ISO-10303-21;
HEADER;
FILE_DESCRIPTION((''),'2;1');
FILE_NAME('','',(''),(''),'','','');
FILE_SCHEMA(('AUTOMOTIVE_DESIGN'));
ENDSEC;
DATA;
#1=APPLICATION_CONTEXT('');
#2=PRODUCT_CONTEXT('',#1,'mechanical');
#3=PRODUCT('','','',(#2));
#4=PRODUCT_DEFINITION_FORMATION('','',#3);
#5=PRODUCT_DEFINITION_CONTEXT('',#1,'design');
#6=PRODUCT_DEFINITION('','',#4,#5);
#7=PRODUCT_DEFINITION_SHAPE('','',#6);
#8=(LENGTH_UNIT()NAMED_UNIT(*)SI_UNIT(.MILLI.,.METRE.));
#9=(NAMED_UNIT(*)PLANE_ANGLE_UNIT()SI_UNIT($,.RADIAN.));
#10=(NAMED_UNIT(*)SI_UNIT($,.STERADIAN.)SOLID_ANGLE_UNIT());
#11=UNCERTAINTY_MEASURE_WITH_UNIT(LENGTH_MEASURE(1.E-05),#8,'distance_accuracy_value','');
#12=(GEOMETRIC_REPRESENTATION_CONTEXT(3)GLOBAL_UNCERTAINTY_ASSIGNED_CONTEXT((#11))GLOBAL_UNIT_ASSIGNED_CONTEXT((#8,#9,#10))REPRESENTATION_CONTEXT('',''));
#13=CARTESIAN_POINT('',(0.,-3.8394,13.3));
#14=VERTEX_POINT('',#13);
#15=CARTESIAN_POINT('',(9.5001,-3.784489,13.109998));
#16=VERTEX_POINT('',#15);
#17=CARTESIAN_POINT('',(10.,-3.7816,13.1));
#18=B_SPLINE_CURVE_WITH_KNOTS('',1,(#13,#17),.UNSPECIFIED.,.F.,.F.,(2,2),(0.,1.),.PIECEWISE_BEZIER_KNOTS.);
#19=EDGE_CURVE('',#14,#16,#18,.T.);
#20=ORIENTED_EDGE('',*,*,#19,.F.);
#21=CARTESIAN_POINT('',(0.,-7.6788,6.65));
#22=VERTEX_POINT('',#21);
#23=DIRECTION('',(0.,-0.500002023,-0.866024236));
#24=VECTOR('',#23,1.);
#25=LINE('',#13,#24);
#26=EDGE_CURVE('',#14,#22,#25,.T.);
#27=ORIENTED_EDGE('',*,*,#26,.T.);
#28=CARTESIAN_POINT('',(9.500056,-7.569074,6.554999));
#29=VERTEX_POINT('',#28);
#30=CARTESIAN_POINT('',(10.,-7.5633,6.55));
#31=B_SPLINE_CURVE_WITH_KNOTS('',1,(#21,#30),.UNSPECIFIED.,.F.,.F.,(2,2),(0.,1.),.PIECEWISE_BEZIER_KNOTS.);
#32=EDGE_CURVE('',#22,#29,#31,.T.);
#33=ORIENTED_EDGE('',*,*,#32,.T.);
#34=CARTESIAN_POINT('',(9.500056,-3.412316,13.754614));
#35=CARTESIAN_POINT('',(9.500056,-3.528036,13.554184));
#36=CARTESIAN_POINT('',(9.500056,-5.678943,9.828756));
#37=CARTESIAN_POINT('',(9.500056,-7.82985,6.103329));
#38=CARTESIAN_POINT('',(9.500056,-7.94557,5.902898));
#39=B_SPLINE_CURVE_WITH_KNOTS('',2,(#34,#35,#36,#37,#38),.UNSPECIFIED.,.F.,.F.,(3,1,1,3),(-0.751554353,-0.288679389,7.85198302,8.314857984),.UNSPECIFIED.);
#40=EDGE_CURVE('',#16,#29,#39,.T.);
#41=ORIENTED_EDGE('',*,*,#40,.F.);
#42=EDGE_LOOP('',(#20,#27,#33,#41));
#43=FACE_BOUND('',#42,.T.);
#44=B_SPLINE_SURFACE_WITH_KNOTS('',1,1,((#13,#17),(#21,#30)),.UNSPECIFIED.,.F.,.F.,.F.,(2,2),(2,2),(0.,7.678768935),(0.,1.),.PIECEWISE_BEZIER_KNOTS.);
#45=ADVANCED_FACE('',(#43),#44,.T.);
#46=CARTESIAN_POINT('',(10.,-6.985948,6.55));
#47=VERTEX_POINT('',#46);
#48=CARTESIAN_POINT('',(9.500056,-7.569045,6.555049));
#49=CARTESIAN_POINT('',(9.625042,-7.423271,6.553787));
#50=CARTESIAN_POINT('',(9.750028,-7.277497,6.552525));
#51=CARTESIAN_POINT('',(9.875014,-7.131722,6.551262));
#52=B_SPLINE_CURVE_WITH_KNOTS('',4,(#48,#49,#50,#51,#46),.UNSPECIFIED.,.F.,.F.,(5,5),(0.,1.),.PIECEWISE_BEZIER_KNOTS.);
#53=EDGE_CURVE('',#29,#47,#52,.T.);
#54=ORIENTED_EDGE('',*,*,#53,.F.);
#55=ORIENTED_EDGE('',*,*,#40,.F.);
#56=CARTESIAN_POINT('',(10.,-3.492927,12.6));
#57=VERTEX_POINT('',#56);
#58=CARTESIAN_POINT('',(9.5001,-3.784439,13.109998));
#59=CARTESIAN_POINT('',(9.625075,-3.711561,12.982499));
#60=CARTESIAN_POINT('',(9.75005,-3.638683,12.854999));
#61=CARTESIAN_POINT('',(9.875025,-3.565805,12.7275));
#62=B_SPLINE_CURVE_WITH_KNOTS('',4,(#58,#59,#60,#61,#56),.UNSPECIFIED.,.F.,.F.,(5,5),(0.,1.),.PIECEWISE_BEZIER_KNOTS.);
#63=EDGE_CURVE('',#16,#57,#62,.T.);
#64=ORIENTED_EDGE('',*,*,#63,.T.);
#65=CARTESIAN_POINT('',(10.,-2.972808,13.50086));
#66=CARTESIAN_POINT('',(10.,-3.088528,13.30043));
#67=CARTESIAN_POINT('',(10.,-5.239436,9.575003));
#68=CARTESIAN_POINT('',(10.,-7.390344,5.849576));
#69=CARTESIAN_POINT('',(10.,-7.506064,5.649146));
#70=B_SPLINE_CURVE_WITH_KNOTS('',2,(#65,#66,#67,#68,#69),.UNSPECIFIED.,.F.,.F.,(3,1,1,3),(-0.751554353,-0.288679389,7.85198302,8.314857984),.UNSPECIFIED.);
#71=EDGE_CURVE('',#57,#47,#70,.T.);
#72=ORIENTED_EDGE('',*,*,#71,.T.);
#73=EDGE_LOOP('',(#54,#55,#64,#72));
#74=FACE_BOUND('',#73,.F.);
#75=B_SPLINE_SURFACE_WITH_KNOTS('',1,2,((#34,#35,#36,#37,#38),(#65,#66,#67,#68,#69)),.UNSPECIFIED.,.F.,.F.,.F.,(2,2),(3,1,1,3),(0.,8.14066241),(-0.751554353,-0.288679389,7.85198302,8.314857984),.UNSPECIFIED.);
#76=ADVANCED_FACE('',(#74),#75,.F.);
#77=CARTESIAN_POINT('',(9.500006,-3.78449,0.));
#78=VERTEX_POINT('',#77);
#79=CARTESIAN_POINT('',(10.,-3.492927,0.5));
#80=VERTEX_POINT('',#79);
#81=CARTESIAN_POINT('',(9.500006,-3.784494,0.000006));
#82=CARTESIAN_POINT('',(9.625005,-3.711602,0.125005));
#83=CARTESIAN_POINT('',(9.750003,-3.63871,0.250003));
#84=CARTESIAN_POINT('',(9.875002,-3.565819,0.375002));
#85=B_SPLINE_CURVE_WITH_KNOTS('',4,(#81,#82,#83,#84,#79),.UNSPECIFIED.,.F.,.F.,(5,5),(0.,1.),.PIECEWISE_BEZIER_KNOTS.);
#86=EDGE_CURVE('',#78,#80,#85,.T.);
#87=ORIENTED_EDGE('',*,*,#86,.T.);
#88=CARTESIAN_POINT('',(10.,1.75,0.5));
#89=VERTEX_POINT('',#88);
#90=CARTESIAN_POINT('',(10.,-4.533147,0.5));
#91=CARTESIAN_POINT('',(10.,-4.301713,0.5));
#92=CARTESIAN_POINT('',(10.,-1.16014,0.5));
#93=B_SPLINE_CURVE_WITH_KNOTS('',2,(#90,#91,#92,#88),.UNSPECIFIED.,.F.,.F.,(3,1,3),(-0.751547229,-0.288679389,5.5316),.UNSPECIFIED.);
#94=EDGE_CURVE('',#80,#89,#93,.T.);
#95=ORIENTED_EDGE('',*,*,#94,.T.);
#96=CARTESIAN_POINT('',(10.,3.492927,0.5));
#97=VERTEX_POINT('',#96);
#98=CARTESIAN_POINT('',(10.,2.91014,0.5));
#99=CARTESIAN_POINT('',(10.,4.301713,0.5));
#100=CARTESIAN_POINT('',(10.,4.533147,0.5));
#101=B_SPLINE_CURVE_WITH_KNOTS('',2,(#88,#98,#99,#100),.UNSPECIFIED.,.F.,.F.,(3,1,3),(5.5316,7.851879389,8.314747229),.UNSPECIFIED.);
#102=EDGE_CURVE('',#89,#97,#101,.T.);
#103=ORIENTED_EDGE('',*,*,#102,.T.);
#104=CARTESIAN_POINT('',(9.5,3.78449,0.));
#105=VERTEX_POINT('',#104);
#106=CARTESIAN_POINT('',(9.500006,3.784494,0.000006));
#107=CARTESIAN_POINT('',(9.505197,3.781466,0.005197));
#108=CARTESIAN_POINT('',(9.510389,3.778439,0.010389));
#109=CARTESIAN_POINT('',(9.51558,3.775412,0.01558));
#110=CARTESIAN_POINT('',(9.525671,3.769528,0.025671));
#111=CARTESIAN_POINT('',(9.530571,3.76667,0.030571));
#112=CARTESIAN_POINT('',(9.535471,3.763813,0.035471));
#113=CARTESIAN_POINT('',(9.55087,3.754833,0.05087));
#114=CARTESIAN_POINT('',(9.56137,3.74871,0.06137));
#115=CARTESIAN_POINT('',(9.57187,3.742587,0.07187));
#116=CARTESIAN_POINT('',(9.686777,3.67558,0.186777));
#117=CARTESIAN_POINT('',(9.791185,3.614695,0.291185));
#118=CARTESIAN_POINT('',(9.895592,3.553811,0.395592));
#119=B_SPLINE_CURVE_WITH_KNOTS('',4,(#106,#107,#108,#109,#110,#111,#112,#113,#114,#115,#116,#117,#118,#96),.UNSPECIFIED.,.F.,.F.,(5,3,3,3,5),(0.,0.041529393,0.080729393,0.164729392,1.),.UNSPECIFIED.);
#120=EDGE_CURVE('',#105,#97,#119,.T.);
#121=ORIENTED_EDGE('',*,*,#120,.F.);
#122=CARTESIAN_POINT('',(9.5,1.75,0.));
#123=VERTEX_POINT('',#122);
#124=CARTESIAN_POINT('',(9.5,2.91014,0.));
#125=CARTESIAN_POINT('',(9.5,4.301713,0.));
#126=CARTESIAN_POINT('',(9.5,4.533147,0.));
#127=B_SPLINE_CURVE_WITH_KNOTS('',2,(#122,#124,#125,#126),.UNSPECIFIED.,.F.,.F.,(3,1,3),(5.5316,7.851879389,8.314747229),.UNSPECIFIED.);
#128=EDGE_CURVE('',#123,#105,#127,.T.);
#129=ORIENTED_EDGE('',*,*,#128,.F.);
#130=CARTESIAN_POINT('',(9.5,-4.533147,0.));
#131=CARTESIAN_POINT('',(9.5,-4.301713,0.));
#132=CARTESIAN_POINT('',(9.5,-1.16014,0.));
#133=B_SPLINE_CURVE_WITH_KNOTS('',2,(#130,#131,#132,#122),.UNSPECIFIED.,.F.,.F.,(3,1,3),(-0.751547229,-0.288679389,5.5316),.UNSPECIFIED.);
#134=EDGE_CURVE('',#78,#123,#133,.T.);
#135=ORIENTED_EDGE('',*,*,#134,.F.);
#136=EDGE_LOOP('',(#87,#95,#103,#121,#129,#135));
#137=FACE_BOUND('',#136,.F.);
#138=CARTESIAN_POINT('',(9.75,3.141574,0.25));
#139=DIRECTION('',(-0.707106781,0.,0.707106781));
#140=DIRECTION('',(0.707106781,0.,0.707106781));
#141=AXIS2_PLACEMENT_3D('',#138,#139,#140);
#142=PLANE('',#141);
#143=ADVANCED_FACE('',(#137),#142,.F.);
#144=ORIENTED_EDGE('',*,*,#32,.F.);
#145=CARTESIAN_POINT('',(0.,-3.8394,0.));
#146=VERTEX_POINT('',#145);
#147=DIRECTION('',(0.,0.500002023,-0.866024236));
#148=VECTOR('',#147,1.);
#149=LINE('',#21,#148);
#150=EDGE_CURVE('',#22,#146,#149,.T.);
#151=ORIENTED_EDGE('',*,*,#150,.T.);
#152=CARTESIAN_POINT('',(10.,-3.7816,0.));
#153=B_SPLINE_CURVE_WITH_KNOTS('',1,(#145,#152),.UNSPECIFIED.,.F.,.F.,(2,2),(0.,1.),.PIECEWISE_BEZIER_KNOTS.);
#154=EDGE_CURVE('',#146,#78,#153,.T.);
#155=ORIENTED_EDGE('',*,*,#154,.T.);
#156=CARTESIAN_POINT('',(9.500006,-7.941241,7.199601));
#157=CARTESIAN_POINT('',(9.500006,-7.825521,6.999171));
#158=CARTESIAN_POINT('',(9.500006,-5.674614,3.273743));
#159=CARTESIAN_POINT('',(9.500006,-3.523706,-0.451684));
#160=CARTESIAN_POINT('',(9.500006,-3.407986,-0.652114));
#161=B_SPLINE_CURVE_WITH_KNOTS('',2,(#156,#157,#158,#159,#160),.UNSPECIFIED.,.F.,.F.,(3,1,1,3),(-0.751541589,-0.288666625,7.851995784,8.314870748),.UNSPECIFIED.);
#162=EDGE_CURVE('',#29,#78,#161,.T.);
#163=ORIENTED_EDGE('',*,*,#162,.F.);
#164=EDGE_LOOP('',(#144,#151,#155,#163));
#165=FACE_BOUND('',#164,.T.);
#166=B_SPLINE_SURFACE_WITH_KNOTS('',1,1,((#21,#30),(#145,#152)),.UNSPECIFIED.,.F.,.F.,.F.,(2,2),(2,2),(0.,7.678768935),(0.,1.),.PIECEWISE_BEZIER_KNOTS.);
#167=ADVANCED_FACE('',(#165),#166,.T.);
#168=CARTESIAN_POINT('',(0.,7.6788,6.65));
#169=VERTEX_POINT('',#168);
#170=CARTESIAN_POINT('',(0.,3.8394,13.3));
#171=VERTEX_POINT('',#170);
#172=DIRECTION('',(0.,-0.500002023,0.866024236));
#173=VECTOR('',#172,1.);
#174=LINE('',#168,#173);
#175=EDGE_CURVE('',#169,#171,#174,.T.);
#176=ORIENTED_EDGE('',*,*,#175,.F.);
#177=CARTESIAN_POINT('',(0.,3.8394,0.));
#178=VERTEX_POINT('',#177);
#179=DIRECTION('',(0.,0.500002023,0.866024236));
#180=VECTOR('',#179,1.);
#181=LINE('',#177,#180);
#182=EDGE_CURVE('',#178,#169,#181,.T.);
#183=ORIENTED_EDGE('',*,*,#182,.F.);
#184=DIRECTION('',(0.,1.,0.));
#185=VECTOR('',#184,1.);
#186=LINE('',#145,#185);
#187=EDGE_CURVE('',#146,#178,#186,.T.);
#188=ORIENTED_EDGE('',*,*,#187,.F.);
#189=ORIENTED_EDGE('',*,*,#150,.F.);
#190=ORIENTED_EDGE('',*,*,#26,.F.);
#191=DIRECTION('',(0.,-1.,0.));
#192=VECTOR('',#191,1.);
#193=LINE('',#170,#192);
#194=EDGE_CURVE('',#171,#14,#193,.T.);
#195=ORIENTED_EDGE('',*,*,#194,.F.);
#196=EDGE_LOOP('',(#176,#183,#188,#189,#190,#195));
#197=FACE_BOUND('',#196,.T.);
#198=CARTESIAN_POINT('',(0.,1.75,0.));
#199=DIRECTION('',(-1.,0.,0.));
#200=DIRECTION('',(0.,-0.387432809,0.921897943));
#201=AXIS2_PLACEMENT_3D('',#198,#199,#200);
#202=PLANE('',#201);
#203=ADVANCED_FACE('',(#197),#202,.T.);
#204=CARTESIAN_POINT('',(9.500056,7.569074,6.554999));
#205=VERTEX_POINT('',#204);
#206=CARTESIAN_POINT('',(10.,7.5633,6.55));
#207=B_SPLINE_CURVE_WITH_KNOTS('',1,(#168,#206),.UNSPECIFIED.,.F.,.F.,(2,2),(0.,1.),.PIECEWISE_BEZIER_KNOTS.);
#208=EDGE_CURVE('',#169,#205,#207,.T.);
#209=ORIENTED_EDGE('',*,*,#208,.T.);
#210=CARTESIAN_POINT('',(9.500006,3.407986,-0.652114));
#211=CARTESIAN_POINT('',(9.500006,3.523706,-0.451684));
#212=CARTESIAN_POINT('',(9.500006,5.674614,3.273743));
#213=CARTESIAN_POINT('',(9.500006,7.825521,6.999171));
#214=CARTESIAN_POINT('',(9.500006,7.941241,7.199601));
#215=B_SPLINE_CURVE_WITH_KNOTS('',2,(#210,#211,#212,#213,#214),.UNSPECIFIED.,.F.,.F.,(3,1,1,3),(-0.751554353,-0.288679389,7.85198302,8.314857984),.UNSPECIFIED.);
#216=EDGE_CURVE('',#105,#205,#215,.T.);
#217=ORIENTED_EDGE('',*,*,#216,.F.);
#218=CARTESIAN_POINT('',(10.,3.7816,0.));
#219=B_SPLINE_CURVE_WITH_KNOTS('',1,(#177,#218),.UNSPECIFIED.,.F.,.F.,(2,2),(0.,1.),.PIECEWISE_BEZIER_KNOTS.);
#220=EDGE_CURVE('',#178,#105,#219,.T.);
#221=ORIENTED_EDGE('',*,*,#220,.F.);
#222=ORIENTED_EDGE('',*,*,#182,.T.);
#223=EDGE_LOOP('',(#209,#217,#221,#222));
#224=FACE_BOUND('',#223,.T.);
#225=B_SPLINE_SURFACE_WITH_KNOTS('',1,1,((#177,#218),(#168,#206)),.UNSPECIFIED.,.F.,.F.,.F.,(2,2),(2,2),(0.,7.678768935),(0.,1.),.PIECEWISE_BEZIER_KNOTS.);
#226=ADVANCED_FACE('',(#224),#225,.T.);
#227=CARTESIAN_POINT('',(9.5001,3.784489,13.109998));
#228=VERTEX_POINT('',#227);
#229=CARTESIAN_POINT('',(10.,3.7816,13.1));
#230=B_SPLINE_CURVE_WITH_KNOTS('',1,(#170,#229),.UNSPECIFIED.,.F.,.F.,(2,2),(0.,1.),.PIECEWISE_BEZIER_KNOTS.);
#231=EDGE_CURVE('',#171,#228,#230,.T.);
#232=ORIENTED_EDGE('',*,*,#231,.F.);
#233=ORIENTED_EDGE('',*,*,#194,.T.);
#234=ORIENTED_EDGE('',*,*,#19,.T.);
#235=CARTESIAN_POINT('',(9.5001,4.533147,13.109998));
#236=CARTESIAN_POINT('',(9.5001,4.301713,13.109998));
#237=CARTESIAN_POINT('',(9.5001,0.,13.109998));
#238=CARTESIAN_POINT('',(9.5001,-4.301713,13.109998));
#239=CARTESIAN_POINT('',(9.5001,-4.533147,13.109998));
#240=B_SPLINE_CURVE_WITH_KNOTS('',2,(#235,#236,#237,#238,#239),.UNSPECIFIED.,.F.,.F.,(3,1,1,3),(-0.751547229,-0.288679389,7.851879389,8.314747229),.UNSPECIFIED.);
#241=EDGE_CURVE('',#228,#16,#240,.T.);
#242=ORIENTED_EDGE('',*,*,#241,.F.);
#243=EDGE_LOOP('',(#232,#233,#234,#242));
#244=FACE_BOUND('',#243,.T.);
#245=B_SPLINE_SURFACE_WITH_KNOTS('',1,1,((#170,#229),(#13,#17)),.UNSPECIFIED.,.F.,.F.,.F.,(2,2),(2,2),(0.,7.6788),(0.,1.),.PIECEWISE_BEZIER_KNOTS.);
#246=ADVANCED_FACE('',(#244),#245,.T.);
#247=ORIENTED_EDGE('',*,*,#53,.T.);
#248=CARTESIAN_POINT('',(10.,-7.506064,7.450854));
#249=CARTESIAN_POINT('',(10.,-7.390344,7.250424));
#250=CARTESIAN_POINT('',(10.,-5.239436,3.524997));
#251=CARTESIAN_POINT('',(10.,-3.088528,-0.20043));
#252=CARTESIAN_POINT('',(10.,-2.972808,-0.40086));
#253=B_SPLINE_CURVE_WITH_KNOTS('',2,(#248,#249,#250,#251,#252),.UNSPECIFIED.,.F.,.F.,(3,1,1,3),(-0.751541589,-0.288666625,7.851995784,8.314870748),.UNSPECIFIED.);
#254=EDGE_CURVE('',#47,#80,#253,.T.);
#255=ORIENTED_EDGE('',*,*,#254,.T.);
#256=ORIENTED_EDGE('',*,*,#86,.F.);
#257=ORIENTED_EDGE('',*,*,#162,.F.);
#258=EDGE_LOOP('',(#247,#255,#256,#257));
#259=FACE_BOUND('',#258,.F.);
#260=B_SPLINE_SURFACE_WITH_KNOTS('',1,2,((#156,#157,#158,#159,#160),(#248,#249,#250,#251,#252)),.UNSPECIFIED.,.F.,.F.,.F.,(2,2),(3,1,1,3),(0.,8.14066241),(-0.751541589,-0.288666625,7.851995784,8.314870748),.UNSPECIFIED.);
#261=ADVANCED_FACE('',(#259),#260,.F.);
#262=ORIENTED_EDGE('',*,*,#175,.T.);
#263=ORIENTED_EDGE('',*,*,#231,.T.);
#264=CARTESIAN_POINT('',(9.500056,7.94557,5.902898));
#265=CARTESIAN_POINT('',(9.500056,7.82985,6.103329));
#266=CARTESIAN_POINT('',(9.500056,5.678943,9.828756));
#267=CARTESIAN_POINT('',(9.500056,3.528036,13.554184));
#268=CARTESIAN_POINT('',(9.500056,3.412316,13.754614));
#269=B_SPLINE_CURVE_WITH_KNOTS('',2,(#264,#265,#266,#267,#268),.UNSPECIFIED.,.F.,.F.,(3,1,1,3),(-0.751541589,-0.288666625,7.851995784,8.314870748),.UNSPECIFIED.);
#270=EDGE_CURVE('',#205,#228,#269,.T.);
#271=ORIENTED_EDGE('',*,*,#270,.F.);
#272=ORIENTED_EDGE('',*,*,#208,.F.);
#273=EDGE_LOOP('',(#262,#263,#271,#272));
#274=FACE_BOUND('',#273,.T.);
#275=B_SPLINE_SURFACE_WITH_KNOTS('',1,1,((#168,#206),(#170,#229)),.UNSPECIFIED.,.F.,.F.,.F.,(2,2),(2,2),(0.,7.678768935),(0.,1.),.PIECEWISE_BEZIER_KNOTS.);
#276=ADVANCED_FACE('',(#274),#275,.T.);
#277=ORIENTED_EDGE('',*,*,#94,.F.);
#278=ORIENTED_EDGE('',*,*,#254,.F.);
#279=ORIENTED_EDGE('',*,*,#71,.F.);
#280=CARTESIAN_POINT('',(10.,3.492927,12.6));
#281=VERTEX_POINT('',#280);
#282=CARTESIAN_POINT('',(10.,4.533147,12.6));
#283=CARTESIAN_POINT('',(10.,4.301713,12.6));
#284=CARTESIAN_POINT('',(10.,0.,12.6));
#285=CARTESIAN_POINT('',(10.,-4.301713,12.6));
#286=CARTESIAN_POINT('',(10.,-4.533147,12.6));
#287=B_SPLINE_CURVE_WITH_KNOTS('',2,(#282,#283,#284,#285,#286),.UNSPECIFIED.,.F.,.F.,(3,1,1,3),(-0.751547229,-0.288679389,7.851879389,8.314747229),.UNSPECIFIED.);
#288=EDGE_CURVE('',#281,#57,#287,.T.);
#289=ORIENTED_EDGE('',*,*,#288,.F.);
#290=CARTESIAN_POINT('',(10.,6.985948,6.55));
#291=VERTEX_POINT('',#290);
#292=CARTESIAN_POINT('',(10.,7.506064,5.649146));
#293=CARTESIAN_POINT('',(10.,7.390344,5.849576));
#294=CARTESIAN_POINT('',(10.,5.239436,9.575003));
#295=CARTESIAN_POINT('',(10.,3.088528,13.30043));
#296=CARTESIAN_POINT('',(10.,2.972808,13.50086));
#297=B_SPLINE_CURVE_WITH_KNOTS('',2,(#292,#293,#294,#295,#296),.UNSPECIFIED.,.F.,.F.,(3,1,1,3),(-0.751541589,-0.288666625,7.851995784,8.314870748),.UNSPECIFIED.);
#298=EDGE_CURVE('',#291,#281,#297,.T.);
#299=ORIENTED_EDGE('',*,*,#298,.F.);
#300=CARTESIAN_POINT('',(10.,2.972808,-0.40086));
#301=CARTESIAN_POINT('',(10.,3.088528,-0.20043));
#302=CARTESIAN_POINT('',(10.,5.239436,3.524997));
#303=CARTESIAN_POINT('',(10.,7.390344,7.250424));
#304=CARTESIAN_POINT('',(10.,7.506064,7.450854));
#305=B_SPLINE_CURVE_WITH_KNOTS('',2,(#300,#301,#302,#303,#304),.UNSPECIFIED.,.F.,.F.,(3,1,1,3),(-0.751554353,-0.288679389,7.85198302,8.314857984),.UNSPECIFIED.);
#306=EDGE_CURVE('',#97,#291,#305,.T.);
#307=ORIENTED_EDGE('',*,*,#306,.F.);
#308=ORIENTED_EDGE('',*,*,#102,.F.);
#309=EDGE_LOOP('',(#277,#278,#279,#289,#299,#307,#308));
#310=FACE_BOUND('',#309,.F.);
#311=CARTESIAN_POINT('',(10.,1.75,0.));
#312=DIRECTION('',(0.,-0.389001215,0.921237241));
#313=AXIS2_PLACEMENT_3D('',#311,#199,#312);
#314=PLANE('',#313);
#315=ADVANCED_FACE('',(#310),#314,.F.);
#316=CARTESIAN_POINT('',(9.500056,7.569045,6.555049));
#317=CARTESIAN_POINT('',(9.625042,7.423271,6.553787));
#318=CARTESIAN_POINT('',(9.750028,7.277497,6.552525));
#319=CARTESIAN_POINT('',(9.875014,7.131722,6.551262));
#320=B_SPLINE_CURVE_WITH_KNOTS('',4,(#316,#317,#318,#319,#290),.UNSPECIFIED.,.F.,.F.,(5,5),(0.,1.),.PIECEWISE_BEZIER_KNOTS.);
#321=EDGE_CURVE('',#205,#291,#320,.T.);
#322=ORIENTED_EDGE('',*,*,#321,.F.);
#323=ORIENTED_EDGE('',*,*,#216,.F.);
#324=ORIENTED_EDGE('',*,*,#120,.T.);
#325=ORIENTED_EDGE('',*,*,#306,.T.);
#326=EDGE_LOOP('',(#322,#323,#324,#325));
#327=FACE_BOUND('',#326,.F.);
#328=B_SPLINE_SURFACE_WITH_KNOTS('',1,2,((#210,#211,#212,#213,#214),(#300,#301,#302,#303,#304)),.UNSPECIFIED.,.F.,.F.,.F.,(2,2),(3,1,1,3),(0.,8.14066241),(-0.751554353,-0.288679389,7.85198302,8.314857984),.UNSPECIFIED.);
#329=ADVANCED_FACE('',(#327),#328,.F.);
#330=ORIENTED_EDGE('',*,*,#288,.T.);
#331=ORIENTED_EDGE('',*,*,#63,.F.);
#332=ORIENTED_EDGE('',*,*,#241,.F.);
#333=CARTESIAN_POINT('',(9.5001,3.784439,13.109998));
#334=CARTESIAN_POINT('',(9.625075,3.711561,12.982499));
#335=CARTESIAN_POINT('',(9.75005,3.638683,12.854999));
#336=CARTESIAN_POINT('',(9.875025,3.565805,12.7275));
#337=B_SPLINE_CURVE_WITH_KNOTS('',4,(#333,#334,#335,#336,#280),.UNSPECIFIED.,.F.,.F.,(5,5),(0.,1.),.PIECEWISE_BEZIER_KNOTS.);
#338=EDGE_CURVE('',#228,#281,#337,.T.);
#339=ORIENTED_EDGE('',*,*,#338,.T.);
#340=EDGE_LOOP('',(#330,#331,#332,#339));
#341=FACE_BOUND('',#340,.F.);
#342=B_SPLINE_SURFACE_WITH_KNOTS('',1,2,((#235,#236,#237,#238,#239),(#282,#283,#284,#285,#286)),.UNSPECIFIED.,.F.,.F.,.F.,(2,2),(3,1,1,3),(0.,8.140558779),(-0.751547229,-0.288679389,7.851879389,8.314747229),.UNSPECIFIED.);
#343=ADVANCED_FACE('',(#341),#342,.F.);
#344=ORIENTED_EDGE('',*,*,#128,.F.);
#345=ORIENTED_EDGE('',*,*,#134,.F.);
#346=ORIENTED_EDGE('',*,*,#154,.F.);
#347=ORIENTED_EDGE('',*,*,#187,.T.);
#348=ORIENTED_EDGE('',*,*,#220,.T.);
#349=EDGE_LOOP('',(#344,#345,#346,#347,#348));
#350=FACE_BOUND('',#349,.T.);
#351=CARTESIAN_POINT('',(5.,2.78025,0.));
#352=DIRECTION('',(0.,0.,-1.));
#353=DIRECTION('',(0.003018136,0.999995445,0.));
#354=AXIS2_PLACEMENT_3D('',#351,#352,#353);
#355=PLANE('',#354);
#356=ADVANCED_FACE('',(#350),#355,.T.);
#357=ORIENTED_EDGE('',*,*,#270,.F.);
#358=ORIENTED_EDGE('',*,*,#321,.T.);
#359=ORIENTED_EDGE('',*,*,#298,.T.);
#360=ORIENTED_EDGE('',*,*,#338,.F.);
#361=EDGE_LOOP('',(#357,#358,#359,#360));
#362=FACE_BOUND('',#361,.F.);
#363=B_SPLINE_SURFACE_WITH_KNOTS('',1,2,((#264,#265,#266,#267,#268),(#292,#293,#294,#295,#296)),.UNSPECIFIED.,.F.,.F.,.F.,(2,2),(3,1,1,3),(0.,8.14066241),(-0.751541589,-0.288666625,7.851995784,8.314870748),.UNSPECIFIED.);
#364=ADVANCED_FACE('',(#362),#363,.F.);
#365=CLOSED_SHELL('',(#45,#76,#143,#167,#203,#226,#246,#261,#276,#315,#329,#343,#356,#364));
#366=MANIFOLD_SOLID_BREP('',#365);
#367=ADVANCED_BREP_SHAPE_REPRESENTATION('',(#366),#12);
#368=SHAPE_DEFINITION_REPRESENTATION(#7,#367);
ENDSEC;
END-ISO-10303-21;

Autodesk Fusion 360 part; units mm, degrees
sketch "HexagonBase" plane through (0, 0, 0) normal (1, 0, 0) x (0, 1, 0)
  line L0 (3.8394, 0) -> (7.6788, 6.65)
  line L1 (7.6788, 6.65) -> (3.8394, 13.3)
  line L2 (3.8394, 13.3) -> (-3.8394, 13.3)
  line L3 (-3.8394, 13.3) -> (-7.6788, 6.65)
  line L4 (-7.6788, 6.65) -> (-3.8394, 0)
  line L5 (-3.8394, 0) -> (3.8394, 0)
  line L6 (1.75, 0) -> (22.5, 0)
  point P0 (0, 6.65)
  dimension "d3" = 13.3
ref_plane "WorkPlane1" through (10, 0, 0) normal (1, 0, 0) x (0, 1, 0)
sketch "HexagonTip" plane through (10, 0, 0) normal (1, 0, 0) x (0, 1, 0)
  line L0 (3.7816, 0) -> (7.5633, 6.55)
  line L1 (7.5633, 6.55) -> (3.7816, 13.1)
  line L2 (3.7816, 13.1) -> (-3.7816, 13.1)
  line L3 (-3.7816, 13.1) -> (-7.5633, 6.55)
  line L4 (-7.5633, 6.55) -> (-3.7816, 0)
  line L5 (-3.7816, 0) -> (3.7816, 0)
  line L6 (1.75, 0) -> (22.5, 0)
  point P0 (0, 6.55)
  dimension "d5" = 13.1
loft "Loft1" add profiles "HexagonBase", "HexagonTip" section 1 section 2
chamfer "Chamfer1" distance 0.5 angle 45 6 edges at (10, 0, 13.1) (10, 5.6725, 9.825) (10, -5.6725, 9.825) (10, -5.6725, 3.275) (10, 0, 0) (10, 5.6725, 3.275)
equation "SmallHexagonInnerDiameter = 13.4 mm - 0.1 mm"
equation "d3 = SmallHexagonInnerDiameter"
equation "d5 = SmallHexagonInnerDiameter - 0.2 mm"
